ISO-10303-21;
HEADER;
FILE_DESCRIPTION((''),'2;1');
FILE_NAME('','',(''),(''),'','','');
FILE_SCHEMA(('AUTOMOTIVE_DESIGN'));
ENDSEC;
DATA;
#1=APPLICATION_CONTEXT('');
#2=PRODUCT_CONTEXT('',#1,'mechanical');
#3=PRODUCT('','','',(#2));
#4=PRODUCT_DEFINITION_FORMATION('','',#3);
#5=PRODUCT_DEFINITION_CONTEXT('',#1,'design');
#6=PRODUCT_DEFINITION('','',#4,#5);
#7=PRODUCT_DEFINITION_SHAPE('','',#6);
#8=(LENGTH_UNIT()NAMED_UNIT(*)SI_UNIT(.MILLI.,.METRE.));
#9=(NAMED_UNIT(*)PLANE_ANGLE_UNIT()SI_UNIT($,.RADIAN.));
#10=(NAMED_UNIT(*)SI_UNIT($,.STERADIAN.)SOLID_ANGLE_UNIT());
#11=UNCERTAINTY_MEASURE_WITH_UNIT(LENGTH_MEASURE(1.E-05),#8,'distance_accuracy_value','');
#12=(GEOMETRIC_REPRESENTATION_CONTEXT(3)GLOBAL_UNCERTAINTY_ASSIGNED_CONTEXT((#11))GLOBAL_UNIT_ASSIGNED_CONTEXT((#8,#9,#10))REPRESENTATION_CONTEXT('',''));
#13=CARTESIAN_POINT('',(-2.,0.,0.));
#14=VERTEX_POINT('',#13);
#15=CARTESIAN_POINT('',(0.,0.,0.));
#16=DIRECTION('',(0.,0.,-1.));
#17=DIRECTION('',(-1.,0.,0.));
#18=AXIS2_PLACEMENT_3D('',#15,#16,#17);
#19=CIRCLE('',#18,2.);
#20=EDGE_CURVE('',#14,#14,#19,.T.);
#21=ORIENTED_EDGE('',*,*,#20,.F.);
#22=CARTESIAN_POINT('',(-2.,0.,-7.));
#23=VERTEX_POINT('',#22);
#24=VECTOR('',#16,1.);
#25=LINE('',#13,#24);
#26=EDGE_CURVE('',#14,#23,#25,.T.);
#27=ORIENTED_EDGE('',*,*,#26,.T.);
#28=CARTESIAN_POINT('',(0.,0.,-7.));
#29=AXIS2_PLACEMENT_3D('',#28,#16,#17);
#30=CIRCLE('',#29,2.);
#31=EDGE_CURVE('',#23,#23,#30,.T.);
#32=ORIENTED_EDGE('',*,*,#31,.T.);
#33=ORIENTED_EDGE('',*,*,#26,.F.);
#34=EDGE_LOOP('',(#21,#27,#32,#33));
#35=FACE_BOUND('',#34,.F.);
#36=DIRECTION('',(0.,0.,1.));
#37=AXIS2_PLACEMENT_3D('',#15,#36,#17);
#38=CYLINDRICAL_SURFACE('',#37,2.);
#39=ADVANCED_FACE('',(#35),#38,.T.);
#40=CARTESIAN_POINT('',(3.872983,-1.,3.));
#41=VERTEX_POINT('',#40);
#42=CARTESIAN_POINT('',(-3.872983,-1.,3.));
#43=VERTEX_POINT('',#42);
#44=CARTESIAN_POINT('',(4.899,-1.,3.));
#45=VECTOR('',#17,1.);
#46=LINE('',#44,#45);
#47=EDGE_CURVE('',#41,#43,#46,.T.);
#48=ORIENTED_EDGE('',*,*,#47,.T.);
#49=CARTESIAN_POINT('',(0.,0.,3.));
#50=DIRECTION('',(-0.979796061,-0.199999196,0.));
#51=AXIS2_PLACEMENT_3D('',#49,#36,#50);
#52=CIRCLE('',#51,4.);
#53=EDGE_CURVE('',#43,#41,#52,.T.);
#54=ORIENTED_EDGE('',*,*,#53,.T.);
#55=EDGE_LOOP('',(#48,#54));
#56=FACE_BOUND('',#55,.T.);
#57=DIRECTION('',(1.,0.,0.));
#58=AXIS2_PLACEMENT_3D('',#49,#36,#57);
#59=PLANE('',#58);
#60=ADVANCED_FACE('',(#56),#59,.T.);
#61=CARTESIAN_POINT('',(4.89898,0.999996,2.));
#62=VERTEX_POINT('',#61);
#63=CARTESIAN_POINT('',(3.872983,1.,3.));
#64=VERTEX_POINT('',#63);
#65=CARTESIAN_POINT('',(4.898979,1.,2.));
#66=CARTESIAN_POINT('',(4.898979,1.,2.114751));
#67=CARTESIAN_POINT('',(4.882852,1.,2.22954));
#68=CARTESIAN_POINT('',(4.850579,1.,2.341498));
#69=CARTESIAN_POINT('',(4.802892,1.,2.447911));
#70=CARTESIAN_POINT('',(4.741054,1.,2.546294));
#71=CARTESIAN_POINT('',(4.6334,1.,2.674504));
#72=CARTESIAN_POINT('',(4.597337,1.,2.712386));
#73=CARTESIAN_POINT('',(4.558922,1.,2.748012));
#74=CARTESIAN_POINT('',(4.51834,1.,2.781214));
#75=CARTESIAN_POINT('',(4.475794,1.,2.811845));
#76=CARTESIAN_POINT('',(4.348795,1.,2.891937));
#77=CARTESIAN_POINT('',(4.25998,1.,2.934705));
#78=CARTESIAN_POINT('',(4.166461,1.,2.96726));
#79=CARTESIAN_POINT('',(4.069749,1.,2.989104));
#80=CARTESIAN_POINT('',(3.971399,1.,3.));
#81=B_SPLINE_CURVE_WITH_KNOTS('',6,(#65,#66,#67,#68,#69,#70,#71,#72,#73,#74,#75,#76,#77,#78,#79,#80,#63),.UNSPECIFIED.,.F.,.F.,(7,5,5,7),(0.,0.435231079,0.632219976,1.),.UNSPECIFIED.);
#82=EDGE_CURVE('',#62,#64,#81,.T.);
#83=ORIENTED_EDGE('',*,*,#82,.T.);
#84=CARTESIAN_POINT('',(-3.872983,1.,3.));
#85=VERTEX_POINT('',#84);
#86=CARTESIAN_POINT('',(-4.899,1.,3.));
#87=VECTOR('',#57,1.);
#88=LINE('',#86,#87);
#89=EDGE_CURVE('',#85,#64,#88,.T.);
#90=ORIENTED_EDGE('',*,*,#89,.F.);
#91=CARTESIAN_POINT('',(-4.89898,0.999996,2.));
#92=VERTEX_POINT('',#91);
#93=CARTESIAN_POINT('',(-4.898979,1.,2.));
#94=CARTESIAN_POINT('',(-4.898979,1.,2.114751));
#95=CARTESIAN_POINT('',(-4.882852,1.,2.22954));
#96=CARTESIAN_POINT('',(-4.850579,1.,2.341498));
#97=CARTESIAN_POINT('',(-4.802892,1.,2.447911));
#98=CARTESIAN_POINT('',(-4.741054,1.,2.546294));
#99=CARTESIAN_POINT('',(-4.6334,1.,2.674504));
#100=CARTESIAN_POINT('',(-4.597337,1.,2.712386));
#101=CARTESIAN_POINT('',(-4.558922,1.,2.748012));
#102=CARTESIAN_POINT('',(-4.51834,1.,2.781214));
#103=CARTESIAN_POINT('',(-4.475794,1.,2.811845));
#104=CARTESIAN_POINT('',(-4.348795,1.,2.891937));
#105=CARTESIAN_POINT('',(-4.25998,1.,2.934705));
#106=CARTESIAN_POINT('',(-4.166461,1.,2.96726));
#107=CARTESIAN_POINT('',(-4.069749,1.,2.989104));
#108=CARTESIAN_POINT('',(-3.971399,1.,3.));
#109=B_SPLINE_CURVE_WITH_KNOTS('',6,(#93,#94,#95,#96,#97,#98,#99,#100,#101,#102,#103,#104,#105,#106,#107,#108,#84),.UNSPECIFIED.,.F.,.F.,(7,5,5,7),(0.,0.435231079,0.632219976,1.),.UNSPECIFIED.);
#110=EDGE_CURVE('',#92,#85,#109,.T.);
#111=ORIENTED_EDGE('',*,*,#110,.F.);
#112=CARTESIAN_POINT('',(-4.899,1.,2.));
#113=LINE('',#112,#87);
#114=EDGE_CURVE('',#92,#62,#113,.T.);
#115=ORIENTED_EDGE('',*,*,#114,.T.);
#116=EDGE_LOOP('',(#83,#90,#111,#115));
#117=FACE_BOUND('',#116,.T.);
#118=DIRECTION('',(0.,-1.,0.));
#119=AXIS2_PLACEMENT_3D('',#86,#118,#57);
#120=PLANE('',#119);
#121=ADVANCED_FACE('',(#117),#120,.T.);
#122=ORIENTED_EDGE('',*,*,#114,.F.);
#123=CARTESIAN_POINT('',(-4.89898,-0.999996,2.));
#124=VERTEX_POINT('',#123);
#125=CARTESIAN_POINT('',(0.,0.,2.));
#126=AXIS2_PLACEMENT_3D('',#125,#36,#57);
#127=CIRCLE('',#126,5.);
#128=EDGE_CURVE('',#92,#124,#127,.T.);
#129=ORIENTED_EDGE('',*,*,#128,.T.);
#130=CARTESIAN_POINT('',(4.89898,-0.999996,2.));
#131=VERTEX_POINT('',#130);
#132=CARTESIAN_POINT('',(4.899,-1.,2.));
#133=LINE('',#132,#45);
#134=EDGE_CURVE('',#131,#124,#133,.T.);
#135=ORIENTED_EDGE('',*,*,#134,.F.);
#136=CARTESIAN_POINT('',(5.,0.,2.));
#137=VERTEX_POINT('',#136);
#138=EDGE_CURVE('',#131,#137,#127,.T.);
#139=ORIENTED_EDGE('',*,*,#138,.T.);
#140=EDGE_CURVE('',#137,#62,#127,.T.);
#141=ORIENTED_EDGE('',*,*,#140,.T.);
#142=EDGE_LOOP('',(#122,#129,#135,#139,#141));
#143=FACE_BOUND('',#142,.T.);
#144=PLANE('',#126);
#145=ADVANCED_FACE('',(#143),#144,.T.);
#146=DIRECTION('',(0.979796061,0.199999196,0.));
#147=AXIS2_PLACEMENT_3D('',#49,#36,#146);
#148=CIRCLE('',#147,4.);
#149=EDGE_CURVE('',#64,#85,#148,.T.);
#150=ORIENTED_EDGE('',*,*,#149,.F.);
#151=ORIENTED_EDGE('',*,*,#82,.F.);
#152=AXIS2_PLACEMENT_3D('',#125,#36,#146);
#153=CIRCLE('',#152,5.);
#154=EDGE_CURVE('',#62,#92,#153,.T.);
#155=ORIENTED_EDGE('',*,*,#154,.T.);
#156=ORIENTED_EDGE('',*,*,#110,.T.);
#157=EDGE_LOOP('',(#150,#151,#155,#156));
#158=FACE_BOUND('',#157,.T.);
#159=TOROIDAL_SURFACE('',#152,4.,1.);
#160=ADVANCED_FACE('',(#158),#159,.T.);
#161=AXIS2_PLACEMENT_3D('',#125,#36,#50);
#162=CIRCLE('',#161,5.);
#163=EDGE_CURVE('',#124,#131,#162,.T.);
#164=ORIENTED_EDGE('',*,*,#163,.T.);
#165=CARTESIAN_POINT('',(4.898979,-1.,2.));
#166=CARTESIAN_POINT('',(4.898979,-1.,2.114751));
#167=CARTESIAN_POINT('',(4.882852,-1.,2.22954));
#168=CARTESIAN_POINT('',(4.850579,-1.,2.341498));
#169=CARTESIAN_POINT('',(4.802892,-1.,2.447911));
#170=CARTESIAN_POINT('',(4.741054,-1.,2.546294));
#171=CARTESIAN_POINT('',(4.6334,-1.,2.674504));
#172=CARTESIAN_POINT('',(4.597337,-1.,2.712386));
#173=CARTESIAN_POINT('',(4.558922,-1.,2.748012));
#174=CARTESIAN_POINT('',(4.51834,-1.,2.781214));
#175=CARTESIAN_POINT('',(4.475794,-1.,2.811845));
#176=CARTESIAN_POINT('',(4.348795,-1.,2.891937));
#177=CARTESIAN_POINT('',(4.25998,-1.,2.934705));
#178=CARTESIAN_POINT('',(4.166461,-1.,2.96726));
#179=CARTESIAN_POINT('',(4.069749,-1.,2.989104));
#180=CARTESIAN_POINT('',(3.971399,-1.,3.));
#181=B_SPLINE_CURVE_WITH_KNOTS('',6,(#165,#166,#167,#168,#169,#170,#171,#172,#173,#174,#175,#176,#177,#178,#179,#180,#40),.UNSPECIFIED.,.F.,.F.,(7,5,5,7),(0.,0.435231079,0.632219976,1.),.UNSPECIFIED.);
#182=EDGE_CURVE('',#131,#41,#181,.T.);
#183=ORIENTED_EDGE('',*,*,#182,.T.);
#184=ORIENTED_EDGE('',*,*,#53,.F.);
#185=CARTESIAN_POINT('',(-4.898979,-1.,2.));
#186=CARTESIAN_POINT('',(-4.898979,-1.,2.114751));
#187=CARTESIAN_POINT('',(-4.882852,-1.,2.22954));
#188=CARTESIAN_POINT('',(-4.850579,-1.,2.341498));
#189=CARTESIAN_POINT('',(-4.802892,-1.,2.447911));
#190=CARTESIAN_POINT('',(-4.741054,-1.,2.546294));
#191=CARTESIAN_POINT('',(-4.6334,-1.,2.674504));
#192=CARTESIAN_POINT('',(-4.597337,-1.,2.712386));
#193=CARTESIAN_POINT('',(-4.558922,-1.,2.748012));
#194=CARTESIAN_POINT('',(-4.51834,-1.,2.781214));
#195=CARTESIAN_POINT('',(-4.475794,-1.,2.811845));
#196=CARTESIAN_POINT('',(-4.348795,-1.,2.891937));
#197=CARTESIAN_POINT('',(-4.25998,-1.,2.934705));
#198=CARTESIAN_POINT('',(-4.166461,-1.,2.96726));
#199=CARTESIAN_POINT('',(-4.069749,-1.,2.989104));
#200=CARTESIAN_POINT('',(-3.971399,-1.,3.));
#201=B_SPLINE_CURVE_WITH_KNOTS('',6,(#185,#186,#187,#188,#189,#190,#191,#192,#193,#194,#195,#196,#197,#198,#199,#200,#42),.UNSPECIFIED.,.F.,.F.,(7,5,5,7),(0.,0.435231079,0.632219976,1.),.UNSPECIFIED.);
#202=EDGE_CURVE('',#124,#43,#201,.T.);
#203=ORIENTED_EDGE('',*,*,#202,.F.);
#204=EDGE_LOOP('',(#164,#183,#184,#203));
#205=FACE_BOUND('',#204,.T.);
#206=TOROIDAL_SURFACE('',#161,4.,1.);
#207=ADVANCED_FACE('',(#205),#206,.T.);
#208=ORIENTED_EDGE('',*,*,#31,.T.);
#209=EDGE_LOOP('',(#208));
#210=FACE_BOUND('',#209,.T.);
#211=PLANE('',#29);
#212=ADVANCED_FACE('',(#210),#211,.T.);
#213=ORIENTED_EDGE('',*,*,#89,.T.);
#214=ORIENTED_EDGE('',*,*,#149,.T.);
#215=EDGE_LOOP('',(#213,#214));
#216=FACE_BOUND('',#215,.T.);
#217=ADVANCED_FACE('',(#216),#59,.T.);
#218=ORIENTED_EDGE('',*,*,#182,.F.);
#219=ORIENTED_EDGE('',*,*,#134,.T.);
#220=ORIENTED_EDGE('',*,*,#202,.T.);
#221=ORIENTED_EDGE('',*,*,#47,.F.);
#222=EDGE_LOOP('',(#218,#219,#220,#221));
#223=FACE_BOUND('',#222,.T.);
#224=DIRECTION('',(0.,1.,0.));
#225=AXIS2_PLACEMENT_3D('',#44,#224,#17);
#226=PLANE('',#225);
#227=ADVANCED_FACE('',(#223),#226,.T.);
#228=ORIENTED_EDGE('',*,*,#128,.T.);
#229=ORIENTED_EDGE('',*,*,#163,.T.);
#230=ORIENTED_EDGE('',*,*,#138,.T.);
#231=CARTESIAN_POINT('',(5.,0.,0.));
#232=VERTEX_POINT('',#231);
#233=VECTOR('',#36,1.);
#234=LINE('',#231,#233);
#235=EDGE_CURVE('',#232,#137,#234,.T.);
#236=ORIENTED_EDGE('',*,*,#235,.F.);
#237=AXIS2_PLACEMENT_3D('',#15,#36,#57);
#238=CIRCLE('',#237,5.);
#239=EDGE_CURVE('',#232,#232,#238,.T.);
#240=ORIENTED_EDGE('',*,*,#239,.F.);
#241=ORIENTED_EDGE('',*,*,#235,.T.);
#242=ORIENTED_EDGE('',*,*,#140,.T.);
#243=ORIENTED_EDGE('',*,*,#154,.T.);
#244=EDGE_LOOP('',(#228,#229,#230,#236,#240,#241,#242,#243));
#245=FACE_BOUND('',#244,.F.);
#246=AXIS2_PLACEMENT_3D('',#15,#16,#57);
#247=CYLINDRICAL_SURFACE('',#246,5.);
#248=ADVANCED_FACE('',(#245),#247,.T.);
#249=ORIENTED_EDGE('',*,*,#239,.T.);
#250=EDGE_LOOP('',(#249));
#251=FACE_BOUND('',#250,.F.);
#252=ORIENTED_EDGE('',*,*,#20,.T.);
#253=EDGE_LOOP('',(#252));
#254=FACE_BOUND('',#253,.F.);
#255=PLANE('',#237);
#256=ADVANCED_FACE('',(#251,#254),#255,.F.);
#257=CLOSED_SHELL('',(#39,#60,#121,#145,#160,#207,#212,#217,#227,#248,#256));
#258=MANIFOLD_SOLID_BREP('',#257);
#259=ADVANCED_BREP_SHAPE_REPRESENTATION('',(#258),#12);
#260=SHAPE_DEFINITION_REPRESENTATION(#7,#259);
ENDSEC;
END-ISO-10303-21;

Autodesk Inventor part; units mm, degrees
ref_plane "YZ Plane" through (0, 0, 0) normal (1, 0, 0) x (0, 1, 0)
ref_plane "XZ Plane" through (0, 0, 0) normal (0, 1, 0) x (-1, 0, 0)
ref_plane "XY Plane" through (0, 0, 0) normal (0, 0, 1) x (1, 0, 0)
sketch "Sketch1" plane through (0, 0, 0) normal (0, 0, 1) x (1, 0, 0)
  circle A0 centre (0, 0) radius 5
  dimension "d0" = 10
extrude "Extrusion1" add sketch "Sketch1" along normal blind 3
sketch "Sketch2" plane through (0, 0, 3) normal (0, 0, 1) x (1, 0, 0)
  circle A0 centre (0, 0) radius 5 projected
  line L0 (-4.899, 1) -> (4.899, 1)
  line L1 (7.3763, 1) -> (7.3763, -1)
  line L2 (4.899, -1) -> (-4.899, -1)
  line L3 (-7.3763, -1) -> (-7.3763, 1)
  line L4 (-7.3763, 1) -> (7.3763, -1) construction
  line L5 (7.3763, 1) -> (-7.3763, -1) construction
  circle A1 centre (0, 0) radius 5 projected
  dimension "d3" = 2
  dimension "d4" = 82.28
  dimension "d5" = 82.28
  dimension "d6" = 2
  dimension "d7" = 1
extrude "Extrusion2" cut sketch "Sketch2" against normal blind 1 contours A0 L2 L0
fillet "Fillet1" radius 1 2 edges at (0, 5, 3) (0, -5, 3)
sketch "Sketch3" plane through (0, 0, 0) normal (0, 0, -1) x (-1, 0, 0)
  circle A0 centre (0, 0) radius 5 projected
  circle A1 centre (0, 0) radius 2
  dimension "d11" = 4
extrude "Extrusion3" add sketch "Sketch3" along normal blind 7 contours A1
thread "Thread1" size "M4x0.7" class "6g" standard "ANSI Metric M Profile" length 7
properties part number "17A - Crosshead pin1" material "Steel AISI 1020 107 HR"
